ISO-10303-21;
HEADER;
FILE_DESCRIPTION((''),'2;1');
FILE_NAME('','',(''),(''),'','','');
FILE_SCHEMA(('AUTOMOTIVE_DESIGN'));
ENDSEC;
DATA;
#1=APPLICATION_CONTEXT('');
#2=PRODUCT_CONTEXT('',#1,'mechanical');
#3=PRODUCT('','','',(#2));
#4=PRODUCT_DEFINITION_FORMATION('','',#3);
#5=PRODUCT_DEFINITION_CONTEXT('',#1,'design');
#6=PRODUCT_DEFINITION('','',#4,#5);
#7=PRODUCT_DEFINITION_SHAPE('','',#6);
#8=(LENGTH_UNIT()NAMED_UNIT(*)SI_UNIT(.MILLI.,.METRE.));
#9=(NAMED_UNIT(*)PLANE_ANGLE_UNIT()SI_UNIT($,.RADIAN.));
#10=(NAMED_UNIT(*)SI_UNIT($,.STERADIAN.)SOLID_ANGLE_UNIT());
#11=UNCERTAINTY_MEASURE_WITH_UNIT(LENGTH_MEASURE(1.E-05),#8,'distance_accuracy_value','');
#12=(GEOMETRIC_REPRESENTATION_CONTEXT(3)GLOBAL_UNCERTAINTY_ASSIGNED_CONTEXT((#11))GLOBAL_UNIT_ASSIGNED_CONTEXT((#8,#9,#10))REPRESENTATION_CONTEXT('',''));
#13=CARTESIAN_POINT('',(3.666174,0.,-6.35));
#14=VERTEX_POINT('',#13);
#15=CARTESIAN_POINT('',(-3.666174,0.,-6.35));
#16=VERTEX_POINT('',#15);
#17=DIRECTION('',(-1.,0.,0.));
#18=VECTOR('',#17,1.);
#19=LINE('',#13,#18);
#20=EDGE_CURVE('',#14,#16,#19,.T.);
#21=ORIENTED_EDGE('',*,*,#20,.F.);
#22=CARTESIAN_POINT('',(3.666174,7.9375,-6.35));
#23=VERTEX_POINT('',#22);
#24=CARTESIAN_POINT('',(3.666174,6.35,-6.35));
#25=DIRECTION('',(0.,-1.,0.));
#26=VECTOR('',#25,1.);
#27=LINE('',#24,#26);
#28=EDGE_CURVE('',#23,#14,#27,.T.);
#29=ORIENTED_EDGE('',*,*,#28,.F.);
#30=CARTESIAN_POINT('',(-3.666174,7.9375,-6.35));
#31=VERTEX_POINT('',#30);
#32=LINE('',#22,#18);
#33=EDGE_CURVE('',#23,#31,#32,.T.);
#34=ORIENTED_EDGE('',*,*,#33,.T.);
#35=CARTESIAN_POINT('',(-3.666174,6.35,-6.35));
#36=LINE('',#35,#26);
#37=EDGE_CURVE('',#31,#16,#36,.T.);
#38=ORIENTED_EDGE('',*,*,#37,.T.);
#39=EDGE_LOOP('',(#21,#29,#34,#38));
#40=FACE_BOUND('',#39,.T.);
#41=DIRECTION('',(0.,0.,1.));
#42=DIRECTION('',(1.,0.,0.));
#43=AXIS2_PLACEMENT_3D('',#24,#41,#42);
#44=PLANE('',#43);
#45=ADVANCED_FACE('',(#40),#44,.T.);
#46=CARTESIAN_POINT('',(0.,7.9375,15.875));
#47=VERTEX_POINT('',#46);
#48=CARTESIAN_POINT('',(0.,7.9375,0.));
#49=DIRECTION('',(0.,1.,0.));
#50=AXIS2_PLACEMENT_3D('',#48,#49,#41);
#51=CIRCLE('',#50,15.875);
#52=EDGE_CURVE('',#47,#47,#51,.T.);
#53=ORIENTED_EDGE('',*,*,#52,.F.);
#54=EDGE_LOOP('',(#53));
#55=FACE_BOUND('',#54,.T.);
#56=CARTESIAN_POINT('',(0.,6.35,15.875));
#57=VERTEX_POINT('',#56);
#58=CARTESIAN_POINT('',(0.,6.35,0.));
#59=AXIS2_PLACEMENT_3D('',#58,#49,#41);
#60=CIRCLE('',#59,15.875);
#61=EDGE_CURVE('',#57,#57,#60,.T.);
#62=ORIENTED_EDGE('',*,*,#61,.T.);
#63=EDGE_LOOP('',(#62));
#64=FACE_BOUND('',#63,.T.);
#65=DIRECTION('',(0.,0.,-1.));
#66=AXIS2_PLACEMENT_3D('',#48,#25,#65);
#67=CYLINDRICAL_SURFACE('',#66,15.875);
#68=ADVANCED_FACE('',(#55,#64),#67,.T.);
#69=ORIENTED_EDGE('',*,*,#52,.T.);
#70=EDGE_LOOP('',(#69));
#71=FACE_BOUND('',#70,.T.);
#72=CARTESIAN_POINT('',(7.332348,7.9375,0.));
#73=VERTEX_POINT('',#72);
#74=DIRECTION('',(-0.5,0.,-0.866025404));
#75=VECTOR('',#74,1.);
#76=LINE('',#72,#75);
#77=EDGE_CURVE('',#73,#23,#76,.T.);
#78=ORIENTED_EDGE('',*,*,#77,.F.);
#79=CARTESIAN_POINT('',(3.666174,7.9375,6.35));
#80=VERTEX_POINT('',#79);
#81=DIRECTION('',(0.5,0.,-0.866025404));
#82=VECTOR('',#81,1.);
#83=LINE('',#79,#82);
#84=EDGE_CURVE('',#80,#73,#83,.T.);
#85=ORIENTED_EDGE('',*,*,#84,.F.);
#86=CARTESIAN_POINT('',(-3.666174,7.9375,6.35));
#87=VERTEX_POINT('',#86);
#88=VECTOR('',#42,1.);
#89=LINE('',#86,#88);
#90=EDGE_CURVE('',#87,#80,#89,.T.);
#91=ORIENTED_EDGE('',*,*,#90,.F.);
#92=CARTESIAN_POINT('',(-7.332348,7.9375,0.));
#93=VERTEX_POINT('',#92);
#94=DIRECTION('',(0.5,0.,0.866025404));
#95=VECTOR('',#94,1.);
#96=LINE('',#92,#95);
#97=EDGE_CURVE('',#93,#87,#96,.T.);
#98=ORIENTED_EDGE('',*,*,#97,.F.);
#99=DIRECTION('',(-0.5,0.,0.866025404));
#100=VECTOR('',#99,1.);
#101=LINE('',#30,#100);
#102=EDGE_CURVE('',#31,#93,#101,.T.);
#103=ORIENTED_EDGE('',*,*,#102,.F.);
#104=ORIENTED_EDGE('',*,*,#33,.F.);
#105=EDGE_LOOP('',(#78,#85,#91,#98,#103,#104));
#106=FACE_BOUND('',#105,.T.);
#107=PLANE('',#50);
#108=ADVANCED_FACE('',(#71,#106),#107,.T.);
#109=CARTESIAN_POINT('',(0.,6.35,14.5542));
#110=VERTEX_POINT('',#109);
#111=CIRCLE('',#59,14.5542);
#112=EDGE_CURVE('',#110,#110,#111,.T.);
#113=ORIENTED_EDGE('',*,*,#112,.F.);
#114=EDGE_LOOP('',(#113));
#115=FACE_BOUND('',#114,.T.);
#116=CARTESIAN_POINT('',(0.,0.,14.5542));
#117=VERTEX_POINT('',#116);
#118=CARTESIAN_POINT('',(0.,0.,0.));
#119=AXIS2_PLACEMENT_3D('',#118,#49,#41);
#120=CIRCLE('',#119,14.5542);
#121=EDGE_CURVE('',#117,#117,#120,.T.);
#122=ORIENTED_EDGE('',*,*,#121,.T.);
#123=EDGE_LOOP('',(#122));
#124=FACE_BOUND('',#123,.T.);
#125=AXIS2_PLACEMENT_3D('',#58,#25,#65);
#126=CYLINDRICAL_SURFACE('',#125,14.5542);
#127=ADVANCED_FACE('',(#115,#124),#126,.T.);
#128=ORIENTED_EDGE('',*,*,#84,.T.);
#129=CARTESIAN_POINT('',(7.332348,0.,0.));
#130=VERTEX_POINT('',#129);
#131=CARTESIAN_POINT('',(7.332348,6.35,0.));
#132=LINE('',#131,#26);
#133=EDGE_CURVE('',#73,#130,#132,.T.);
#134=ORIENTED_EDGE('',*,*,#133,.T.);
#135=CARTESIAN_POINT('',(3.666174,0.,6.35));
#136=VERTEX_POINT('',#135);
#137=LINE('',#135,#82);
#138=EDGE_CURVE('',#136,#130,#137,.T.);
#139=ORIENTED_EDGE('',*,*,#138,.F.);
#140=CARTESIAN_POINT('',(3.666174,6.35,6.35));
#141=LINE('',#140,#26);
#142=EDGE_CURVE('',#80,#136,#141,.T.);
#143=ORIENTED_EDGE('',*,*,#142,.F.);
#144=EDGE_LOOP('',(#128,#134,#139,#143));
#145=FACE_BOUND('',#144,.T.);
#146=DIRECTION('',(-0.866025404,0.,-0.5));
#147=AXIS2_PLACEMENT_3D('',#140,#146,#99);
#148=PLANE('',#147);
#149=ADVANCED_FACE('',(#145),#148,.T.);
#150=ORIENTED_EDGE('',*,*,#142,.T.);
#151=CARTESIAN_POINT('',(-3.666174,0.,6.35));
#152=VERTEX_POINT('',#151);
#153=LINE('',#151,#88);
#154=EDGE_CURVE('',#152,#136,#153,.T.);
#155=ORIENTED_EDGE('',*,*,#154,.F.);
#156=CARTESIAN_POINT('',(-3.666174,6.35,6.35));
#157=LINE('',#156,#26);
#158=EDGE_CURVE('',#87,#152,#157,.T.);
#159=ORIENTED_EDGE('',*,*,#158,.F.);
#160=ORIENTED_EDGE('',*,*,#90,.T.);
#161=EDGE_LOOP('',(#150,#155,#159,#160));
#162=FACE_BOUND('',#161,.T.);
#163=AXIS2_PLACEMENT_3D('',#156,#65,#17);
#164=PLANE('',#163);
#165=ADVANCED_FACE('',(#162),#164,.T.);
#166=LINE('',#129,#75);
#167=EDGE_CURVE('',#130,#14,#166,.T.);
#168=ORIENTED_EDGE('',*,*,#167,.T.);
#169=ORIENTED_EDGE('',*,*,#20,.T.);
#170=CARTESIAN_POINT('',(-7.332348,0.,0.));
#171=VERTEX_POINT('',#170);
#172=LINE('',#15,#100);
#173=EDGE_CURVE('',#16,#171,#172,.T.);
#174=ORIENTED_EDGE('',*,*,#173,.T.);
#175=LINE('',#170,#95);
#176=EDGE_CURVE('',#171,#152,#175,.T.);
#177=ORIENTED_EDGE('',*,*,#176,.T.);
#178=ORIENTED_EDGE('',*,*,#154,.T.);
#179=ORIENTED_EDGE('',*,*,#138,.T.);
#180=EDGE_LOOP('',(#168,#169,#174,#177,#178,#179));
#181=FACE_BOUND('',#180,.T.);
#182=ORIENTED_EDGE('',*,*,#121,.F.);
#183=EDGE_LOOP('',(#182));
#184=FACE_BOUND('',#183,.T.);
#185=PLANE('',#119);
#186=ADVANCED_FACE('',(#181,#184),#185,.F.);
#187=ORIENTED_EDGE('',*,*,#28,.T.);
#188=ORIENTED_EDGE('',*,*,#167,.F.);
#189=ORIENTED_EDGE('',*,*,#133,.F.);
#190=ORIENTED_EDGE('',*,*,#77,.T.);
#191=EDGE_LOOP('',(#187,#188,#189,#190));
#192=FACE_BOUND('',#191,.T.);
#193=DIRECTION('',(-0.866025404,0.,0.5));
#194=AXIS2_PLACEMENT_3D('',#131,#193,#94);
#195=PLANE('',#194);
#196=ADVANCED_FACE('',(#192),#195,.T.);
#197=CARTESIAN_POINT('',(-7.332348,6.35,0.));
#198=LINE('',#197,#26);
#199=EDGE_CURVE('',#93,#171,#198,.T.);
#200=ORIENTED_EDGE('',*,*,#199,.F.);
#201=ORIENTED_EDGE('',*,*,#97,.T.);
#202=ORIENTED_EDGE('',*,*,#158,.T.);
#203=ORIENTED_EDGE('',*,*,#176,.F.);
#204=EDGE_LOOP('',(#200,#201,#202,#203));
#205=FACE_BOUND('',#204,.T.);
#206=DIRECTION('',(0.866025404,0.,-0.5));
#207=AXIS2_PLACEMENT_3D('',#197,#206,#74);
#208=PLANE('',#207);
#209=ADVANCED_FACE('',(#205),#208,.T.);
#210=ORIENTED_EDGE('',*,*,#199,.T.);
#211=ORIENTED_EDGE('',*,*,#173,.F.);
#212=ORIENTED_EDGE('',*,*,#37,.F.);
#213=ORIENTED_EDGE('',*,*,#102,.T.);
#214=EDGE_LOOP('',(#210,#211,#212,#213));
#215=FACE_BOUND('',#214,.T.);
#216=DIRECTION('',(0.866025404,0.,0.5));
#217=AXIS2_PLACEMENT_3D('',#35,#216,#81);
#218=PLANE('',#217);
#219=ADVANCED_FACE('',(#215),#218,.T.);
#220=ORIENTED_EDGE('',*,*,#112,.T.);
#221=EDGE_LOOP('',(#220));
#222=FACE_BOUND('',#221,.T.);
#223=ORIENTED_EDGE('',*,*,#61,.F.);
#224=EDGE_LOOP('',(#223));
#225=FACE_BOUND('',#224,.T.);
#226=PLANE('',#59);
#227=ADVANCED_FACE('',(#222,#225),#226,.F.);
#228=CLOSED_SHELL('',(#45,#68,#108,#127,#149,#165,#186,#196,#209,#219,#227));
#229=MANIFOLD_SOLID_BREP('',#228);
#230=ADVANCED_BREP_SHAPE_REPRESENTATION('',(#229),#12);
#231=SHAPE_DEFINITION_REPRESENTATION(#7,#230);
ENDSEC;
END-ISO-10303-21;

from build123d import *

# Parameters (mm, degrees)
SKETCH1_R           = 14.5542
BOSS_EXTRUDE1_DEPTH = 6.35
SKETCH2_R           = 15.875
BOSS_EXTRUDE2_DEPTH = 1.5875


with BuildPart() as part:
    # Sketch1 → Boss-Extrude1 (new body)
    with BuildSketch(Plane(origin=(0, 0, 0), x_dir=(1, 0, 0), z_dir=(0, 1, 0))):
        Circle(SKETCH1_R)
        Polygon((3.666174209, 6.35), (-3.666174209, 6.35), (-7.332348419, 0), (-3.666174209, -6.35), (3.666174209, -6.35), (7.332348419, 0), align=None, mode=Mode.SUBTRACT)
    extrude(amount=BOSS_EXTRUDE1_DEPTH)

    # Sketch2 → Boss-Extrude2 (add)
    with BuildSketch(Plane(origin=(0, 6.35, 0), x_dir=(1, 0, 0), z_dir=(0, 1, 0))):
        Circle(SKETCH2_R)
        Polygon((3.666174209, 6.35), (-3.666174209, 6.35), (-7.332348419, 0), (-3.666174209, -6.35), (3.666174209, -6.35), (7.332348419, 0), align=None, mode=Mode.SUBTRACT)
    extrude(amount=BOSS_EXTRUDE2_DEPTH)


solid = part.part
